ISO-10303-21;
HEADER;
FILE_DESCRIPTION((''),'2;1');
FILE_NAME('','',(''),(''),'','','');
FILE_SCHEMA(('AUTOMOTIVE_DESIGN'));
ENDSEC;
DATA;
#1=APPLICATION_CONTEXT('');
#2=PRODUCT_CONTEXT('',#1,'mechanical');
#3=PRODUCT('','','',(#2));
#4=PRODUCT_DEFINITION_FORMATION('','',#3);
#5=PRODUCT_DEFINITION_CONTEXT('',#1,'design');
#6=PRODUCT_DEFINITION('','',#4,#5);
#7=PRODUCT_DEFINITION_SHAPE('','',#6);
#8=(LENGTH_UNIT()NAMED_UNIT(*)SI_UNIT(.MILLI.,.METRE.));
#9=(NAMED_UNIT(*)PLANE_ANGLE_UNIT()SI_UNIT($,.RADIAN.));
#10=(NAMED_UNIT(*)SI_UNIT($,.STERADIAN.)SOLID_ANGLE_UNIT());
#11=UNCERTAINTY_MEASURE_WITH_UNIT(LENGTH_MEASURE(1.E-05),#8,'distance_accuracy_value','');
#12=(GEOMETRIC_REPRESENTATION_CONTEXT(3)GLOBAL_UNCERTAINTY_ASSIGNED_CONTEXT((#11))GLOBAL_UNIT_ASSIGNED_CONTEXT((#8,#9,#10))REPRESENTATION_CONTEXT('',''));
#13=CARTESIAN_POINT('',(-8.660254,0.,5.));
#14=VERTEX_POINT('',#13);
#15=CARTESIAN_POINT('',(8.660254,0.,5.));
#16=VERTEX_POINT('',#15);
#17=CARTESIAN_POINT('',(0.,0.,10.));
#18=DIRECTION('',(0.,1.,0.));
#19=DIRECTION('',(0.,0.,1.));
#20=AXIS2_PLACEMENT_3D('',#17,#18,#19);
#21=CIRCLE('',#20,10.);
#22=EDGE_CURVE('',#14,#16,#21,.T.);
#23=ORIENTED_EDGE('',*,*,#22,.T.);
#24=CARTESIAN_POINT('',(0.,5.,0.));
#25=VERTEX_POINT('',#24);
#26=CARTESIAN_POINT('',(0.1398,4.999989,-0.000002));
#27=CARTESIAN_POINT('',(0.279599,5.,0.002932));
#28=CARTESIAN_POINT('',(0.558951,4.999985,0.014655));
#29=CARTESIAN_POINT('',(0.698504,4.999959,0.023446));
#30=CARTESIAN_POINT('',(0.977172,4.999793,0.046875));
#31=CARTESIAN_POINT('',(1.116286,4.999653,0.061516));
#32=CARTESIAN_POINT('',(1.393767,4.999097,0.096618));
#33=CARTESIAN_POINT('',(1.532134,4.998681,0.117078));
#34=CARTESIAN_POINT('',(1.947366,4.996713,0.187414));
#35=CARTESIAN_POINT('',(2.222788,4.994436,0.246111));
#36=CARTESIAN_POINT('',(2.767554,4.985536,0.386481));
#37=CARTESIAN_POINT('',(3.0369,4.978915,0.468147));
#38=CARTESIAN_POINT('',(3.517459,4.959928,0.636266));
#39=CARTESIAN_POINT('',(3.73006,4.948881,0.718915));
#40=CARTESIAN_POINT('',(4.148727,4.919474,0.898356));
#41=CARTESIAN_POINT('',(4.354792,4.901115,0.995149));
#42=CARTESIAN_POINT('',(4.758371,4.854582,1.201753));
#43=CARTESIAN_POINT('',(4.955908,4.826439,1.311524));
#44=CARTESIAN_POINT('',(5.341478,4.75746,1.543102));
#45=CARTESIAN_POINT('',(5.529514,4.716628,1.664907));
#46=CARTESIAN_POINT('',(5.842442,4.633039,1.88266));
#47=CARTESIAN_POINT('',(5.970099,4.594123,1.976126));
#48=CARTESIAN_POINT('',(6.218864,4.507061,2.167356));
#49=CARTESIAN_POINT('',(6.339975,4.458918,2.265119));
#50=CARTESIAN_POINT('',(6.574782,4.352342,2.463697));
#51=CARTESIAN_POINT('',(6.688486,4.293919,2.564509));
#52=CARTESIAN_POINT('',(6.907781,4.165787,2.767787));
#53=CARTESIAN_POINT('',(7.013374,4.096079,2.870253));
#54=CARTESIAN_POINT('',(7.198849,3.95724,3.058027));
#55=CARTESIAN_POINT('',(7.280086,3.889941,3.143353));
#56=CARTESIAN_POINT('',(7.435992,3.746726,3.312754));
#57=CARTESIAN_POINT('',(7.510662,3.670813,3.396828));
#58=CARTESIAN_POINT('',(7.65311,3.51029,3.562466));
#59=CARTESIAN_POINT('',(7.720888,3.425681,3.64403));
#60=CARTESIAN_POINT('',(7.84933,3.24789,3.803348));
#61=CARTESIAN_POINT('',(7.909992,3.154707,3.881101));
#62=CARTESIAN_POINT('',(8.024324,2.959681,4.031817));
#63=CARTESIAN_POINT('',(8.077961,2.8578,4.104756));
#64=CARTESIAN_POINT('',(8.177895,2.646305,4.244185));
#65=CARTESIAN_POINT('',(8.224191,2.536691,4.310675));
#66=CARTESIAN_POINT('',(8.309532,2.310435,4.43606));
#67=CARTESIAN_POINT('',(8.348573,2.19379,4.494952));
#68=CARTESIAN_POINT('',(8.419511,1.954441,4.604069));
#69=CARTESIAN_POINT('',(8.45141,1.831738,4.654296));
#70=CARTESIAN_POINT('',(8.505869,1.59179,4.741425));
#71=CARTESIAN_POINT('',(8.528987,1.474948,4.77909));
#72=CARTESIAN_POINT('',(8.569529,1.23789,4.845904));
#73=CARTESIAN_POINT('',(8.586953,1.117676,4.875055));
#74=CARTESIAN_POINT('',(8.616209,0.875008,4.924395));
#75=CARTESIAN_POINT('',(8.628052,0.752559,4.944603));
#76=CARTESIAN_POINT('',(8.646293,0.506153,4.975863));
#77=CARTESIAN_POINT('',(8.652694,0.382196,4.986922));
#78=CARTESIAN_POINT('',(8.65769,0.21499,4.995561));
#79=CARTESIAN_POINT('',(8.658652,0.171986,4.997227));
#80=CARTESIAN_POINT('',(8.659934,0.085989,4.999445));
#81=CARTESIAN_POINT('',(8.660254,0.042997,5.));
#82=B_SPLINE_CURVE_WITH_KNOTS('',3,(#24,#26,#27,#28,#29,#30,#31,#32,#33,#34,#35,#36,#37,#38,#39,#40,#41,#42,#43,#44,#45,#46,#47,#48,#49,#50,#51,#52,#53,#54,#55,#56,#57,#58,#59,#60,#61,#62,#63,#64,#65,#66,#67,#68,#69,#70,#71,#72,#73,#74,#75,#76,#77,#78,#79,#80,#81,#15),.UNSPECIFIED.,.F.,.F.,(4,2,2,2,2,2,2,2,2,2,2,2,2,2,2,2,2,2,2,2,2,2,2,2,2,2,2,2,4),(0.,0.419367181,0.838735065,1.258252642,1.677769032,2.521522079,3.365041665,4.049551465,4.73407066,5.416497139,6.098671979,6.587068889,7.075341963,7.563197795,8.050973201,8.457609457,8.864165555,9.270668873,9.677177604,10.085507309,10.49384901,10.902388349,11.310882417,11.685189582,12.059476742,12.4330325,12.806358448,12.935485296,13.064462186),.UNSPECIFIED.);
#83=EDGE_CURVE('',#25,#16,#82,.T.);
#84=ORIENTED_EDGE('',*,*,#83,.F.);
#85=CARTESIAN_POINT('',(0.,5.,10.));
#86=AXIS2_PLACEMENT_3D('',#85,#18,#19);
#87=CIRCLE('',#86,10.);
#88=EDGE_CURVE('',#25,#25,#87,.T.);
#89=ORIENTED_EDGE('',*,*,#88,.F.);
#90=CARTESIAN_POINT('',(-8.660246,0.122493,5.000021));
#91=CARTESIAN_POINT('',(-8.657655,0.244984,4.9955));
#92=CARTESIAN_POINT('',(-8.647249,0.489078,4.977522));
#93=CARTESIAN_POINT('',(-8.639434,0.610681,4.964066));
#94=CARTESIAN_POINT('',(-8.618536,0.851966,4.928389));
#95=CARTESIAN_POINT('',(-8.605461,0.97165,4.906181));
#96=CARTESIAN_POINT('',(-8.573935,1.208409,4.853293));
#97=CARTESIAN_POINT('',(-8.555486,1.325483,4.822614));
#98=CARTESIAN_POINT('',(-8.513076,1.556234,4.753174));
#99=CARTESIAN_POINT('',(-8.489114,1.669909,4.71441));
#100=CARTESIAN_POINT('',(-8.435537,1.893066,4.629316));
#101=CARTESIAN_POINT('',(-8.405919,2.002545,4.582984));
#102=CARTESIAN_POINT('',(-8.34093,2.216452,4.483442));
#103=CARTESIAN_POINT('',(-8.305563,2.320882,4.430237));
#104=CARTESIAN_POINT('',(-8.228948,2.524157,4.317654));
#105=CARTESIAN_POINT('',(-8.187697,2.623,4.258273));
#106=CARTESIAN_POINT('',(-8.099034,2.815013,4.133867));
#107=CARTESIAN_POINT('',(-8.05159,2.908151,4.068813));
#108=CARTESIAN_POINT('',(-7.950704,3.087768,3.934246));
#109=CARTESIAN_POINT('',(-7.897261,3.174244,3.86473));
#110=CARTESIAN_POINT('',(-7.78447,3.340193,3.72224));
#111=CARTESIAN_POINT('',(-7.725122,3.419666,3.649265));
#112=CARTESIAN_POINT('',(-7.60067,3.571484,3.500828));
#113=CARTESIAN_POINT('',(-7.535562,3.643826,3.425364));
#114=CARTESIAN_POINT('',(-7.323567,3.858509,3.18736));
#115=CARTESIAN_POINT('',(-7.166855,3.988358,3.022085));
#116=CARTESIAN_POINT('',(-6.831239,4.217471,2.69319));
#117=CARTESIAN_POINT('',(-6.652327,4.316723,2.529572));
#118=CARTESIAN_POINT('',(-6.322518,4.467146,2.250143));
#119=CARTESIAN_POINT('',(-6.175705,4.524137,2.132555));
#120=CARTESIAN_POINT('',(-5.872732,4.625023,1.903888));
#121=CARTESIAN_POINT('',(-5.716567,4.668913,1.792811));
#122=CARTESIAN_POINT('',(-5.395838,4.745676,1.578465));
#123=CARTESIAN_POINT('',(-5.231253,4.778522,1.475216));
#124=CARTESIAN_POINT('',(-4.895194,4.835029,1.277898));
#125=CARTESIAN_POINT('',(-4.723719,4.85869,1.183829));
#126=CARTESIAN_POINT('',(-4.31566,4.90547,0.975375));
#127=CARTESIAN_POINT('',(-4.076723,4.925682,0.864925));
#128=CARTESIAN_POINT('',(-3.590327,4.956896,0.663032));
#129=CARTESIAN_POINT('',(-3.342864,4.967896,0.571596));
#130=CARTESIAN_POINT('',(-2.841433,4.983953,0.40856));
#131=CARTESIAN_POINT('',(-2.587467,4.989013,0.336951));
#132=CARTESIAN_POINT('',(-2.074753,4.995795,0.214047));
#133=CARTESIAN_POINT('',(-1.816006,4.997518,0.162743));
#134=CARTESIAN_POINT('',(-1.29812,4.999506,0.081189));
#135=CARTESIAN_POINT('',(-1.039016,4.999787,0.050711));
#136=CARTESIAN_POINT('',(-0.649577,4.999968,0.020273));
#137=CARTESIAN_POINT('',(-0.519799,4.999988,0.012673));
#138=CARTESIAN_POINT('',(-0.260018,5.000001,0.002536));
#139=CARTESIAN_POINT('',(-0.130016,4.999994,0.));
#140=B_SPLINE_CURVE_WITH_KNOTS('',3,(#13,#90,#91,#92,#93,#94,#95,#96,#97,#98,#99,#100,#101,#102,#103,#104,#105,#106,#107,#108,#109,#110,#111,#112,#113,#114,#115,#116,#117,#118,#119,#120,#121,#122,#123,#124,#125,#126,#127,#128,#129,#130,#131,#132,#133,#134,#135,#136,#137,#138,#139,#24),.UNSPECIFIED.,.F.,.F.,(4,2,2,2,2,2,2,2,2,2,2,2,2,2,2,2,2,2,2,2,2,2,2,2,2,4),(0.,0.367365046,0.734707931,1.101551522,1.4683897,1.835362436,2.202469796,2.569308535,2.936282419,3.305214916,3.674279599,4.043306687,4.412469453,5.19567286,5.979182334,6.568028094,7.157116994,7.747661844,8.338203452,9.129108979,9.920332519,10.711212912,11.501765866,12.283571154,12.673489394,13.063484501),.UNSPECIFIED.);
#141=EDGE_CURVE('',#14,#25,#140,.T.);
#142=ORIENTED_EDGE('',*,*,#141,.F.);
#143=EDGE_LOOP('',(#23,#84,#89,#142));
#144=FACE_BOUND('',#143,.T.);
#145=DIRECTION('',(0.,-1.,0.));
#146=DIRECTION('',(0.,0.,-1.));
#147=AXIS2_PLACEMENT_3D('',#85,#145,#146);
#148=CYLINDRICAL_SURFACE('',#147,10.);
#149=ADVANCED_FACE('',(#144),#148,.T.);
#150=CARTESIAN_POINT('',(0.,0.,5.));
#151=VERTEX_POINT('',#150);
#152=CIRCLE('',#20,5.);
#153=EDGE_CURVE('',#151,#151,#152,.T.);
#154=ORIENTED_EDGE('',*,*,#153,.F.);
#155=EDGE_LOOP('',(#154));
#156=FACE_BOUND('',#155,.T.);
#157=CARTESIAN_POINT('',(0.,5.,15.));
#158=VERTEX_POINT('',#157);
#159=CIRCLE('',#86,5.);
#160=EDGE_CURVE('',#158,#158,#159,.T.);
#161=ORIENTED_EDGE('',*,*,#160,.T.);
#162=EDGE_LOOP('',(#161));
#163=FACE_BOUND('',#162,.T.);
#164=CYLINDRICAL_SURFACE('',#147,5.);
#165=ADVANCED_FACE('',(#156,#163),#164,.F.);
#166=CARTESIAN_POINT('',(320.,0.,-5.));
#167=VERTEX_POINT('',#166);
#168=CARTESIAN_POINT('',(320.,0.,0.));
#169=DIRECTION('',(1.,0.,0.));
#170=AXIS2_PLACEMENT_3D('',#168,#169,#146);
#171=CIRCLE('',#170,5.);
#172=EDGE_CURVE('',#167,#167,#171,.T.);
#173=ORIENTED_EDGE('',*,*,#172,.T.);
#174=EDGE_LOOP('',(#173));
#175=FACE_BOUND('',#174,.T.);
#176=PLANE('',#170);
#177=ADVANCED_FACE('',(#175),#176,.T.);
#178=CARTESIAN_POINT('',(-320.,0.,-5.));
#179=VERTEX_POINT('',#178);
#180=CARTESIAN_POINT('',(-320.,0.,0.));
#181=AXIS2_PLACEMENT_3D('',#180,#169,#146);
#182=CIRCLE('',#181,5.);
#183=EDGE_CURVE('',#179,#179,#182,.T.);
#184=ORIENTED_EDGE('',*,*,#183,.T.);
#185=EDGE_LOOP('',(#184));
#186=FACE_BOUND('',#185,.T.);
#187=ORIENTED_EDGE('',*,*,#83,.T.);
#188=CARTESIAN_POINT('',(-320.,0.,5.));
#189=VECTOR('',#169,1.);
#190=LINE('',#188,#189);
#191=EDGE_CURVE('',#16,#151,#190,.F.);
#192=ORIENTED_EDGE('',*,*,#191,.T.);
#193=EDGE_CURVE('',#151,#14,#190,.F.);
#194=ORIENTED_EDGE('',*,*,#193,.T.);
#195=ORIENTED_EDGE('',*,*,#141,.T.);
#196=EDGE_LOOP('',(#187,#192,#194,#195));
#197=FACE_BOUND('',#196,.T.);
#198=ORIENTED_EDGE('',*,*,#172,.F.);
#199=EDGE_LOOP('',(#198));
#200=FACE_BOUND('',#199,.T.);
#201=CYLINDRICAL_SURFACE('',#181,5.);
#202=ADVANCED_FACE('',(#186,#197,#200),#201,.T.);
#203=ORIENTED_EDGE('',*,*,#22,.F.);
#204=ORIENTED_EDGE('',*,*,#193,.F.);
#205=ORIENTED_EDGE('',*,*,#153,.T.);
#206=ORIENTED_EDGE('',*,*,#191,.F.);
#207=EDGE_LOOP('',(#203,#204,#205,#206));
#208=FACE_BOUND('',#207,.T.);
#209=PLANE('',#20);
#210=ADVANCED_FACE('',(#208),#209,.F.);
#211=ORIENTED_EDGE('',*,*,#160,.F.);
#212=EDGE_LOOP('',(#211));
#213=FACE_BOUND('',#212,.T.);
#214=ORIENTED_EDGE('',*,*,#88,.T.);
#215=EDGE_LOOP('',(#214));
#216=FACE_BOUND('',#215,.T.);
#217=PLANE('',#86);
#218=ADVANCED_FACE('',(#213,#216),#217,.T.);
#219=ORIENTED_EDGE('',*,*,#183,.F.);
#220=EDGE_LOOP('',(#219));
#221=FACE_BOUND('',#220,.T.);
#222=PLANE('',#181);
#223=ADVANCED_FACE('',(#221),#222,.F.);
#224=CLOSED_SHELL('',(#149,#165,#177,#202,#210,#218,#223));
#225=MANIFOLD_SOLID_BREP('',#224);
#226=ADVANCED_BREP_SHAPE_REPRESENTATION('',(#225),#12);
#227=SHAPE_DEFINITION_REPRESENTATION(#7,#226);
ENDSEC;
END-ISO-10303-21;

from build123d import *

# Parameters (mm, degrees)
BALAYAGE1_PROFILE_R = 5
ESQUISSE2_R         = 10
ESQUISSE2_R_2       = 5
BOSS_EXTRU_1_DEPTH  = 5


with BuildPart() as part:
    # Balayage1: sweep along a path in Esquisse1
    with BuildLine(Plane.XY) as balayage1_path:
        Line((-320, 0), (320, 0))
    # Balayage1 profile (on start of the path) → Balayage1 (sweep)
    with BuildSketch(Plane(origin=(-320, 0, 0), x_dir=(0, 0, 1), z_dir=(1, 0, 0))):
        Circle(BALAYAGE1_PROFILE_R)
    sweep(path=balayage1_path.line)

    # Esquisse2 → Boss.-Extru.1 (add)
    with BuildSketch(Plane(origin=(0, 0, 0), x_dir=(1, 0, 0), z_dir=(0, 1, 0))):
        with Locations((0, -10)):
            Circle(ESQUISSE2_R)
        with Locations(Location((0, -10, 0), (0, 0, 90))):
            Circle(ESQUISSE2_R_2, mode=Mode.SUBTRACT)
    extrude(amount=BOSS_EXTRU_1_DEPTH)


solid = part.part
